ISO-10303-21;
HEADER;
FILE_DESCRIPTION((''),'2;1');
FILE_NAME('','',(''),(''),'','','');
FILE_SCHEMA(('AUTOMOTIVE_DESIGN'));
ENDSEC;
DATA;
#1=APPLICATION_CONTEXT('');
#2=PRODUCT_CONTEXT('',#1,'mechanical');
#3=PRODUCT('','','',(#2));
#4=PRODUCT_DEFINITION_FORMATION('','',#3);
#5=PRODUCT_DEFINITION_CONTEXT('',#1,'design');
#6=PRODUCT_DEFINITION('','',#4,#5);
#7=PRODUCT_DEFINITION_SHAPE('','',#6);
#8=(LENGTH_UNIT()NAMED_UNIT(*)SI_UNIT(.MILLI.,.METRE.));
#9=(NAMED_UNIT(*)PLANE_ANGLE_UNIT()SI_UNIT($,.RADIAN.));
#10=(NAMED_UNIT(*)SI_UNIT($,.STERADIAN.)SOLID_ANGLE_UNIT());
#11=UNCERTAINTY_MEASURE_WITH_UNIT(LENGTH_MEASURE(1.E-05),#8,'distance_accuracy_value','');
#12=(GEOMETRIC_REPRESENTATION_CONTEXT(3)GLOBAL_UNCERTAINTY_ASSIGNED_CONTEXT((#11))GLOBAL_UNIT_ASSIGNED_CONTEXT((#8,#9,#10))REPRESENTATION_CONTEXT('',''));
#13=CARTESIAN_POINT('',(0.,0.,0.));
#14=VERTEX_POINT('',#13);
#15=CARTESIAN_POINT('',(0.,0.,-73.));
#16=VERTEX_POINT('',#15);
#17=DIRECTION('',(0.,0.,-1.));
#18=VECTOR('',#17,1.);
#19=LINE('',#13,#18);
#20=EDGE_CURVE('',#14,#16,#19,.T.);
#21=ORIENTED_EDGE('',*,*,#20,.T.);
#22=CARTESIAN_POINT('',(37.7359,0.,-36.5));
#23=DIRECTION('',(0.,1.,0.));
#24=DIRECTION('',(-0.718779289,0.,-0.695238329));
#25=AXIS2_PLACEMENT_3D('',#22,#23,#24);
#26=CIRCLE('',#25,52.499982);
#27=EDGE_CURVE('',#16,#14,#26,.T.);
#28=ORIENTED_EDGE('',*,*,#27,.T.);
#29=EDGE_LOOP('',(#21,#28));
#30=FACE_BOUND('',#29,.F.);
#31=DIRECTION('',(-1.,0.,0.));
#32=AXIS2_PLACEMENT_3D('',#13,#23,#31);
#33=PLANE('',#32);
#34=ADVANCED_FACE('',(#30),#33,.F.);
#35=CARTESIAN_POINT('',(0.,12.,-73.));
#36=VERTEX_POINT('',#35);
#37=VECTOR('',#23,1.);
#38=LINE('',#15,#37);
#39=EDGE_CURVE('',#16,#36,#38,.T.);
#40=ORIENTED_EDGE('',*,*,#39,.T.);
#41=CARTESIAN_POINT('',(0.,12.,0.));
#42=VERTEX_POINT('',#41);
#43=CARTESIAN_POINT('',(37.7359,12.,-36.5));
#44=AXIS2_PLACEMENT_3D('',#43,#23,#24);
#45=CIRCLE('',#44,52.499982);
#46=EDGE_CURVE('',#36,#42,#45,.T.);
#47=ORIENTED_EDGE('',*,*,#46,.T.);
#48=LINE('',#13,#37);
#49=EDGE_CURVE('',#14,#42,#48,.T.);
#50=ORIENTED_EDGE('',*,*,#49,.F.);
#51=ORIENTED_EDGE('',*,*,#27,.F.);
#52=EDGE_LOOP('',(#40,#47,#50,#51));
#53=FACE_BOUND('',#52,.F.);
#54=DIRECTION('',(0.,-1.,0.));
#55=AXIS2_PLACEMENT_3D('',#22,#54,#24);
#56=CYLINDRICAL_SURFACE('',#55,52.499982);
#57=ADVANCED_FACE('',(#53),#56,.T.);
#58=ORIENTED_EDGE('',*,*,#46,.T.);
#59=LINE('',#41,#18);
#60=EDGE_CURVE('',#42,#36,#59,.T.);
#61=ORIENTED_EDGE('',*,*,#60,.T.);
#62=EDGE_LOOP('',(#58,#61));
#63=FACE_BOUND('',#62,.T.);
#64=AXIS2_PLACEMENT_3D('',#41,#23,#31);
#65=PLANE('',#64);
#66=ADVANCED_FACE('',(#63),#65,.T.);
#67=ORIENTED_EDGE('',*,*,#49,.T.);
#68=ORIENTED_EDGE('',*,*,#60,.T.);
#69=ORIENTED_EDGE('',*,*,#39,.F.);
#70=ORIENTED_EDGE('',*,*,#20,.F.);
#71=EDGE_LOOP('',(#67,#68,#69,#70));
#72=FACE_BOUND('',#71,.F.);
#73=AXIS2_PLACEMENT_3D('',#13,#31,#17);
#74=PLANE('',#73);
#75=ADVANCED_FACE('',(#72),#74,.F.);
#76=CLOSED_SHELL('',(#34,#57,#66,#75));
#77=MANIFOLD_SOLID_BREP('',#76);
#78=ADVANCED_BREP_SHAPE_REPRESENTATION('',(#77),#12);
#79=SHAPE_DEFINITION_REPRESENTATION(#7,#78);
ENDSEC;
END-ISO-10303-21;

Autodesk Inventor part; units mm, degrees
ref_plane "YZ Plane" through (0, 0, 0) normal (1, 0, 0) x (0, 1, 0)
ref_plane "XZ Plane" through (0, 0, 0) normal (0, 1, 0) x (-1, 0, 0)
ref_plane "XY Plane" through (0, 0, 0) normal (0, 0, 1) x (1, 0, 0)
sketch "Sketch1" plane through (0, 0, 0) normal (0, 1, 0) x (-1, 0, 0)
  line L0 (0, 0) -> (0, -73)
  arc A0 (0, -73) -> (0, 0) centre (-37.7359, -36.5) ccw
  dimension "d0" = 73
  dimension "d2" = 52.5
extrude "Extrusion1" add sketch "Sketch1" along normal blind 12
properties part number "frameMount" material "ABS Plastic"
